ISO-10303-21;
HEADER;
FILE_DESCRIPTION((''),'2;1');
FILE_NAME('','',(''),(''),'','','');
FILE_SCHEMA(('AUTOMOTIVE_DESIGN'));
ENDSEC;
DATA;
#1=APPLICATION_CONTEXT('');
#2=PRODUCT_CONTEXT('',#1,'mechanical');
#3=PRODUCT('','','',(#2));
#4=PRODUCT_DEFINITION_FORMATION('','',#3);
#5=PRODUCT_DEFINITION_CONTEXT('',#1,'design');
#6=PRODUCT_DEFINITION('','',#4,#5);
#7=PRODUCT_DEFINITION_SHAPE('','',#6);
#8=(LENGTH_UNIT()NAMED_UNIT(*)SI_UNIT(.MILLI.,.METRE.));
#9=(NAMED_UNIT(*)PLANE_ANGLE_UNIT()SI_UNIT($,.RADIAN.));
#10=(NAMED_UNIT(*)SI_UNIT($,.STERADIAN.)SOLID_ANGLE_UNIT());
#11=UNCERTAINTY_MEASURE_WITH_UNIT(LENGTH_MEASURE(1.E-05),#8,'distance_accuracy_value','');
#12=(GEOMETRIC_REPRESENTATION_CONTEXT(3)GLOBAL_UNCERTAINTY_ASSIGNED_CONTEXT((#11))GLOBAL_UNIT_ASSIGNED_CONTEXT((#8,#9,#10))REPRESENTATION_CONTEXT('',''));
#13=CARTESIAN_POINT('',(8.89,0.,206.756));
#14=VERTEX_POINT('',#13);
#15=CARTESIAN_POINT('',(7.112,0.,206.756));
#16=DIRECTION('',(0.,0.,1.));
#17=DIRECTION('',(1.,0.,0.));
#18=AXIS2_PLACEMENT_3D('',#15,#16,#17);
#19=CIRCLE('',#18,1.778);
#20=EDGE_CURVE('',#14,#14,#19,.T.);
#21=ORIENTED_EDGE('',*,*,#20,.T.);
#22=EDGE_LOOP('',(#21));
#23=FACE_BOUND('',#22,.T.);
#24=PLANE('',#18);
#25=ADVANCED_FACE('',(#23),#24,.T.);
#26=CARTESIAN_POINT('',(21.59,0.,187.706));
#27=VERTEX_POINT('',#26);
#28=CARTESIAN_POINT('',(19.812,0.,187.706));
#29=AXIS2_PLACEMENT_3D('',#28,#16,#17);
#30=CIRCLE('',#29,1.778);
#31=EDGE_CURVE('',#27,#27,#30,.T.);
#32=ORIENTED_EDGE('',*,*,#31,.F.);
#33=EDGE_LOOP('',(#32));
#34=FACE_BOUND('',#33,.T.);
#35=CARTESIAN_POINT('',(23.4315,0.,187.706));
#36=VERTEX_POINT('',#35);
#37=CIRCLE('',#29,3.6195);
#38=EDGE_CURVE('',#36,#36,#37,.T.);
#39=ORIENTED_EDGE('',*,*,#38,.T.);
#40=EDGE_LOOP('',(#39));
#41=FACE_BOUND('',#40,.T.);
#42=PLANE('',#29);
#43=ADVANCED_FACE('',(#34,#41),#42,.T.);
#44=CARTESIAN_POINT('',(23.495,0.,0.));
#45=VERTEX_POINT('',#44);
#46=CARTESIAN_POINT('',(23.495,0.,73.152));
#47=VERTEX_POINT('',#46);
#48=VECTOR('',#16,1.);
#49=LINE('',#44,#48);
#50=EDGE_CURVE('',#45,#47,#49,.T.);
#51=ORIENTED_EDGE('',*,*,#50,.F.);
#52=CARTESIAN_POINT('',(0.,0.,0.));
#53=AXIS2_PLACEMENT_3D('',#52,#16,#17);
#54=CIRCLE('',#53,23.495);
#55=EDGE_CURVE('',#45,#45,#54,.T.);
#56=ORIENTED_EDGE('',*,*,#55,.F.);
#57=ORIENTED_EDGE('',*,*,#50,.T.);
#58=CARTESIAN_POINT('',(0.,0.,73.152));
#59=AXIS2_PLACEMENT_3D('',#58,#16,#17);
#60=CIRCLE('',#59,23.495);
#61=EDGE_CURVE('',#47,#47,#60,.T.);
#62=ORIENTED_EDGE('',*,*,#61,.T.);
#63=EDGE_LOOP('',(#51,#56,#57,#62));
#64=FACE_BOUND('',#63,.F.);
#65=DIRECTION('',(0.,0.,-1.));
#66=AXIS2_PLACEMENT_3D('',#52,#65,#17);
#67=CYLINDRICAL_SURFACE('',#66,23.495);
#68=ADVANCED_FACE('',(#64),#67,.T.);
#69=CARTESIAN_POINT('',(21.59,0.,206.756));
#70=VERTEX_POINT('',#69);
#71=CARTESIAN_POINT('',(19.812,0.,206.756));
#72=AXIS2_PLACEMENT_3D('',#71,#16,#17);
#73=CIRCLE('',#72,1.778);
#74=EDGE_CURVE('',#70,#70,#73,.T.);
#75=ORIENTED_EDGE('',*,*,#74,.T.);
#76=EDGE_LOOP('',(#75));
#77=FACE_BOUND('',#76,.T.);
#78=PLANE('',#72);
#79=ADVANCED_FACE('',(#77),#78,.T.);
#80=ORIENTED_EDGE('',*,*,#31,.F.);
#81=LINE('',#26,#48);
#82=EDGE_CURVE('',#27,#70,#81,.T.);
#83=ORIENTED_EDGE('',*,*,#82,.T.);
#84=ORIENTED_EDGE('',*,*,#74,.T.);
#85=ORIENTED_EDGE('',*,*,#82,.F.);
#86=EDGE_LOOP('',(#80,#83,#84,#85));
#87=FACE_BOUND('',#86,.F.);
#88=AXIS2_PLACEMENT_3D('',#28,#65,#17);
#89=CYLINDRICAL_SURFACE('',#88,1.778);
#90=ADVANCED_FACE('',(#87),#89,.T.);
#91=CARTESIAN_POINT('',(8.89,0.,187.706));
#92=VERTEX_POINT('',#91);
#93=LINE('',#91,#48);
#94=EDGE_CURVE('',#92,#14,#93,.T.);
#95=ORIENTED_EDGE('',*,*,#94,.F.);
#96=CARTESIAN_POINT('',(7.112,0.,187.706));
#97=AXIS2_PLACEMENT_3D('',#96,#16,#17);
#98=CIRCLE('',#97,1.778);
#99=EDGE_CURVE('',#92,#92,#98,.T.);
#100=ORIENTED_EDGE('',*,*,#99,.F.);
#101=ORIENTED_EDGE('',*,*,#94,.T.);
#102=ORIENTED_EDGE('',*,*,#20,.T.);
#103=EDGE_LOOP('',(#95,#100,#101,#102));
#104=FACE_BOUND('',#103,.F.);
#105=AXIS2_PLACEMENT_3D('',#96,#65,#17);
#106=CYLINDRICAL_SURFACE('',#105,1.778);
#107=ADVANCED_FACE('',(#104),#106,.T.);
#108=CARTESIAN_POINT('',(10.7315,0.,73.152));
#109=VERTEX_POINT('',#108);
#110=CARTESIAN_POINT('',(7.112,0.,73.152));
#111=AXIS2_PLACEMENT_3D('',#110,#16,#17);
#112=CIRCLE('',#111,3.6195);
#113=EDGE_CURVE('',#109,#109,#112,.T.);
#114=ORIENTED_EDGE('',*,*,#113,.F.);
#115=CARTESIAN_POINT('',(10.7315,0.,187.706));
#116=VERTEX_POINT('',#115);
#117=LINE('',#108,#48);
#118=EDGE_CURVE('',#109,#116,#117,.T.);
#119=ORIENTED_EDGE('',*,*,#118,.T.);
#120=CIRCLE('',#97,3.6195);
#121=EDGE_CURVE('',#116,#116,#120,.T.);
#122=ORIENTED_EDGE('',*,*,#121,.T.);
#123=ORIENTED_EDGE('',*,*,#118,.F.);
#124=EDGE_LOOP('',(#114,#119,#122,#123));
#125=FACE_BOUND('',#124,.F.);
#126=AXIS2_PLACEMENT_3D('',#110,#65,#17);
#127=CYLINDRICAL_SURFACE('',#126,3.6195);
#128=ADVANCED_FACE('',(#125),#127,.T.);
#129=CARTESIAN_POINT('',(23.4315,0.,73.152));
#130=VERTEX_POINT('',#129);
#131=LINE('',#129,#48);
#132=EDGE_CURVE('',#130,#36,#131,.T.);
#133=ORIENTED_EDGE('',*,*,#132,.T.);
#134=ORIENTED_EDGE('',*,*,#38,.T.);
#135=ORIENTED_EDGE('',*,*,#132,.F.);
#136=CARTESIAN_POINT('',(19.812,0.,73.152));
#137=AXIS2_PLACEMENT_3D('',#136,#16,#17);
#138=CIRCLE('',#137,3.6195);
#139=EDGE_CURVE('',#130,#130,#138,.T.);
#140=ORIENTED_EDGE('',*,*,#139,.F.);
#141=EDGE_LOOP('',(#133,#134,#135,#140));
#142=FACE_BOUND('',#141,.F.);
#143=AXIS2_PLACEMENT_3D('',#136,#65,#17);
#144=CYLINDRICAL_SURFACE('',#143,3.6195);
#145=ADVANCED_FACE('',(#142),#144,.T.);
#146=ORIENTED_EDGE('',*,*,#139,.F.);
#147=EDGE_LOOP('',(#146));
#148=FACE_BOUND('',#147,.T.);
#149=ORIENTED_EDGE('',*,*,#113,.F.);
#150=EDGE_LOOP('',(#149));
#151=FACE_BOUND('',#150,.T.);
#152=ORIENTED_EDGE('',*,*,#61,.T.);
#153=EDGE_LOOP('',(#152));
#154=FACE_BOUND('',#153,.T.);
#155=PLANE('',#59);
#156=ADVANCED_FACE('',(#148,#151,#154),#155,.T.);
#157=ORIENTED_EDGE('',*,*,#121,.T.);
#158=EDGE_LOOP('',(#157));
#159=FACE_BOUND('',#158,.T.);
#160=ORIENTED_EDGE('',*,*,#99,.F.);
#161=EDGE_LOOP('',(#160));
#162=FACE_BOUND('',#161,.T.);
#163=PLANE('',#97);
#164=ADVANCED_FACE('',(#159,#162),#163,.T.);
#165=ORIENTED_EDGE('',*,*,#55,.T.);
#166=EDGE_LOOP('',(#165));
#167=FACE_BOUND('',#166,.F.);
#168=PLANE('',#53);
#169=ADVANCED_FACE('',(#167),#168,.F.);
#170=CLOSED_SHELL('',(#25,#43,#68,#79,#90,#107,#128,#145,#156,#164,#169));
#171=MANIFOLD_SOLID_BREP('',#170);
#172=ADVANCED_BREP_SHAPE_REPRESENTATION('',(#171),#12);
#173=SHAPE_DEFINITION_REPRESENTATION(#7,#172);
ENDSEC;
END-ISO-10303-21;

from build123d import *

# Parameters (mm, degrees)
F0_R     = 23.495
F1_DEPTH = 73.152
F2_R     = 3.6195
F3_DEPTH = 114.554
F4_R     = 1.778
F5_DEPTH = 19.05


with BuildPart() as f1:
    # F0 (on Top) → F1 (new body)
    with BuildSketch(Plane.XY):
        Circle(F0_R)
    extrude(amount=F1_DEPTH)

    # F2 (on face) → F3 (join)
    with BuildSketch(Plane.XY.offset(73.152)):
        with Locations((19.812, 0)):
            Circle(F2_R)
        with Locations((7.112, 0)):
            Circle(F2_R)
    extrude(amount=F3_DEPTH)

    # F4 (on face) → F5 (join)
    with BuildSketch(Plane.XY.offset(187.706)):
        with Locations((7.112, 0)):
            Circle(F4_R)
        with Locations((19.812, 0)):
            Circle(F4_R)
    extrude(amount=F5_DEPTH)


solid = f1.part
